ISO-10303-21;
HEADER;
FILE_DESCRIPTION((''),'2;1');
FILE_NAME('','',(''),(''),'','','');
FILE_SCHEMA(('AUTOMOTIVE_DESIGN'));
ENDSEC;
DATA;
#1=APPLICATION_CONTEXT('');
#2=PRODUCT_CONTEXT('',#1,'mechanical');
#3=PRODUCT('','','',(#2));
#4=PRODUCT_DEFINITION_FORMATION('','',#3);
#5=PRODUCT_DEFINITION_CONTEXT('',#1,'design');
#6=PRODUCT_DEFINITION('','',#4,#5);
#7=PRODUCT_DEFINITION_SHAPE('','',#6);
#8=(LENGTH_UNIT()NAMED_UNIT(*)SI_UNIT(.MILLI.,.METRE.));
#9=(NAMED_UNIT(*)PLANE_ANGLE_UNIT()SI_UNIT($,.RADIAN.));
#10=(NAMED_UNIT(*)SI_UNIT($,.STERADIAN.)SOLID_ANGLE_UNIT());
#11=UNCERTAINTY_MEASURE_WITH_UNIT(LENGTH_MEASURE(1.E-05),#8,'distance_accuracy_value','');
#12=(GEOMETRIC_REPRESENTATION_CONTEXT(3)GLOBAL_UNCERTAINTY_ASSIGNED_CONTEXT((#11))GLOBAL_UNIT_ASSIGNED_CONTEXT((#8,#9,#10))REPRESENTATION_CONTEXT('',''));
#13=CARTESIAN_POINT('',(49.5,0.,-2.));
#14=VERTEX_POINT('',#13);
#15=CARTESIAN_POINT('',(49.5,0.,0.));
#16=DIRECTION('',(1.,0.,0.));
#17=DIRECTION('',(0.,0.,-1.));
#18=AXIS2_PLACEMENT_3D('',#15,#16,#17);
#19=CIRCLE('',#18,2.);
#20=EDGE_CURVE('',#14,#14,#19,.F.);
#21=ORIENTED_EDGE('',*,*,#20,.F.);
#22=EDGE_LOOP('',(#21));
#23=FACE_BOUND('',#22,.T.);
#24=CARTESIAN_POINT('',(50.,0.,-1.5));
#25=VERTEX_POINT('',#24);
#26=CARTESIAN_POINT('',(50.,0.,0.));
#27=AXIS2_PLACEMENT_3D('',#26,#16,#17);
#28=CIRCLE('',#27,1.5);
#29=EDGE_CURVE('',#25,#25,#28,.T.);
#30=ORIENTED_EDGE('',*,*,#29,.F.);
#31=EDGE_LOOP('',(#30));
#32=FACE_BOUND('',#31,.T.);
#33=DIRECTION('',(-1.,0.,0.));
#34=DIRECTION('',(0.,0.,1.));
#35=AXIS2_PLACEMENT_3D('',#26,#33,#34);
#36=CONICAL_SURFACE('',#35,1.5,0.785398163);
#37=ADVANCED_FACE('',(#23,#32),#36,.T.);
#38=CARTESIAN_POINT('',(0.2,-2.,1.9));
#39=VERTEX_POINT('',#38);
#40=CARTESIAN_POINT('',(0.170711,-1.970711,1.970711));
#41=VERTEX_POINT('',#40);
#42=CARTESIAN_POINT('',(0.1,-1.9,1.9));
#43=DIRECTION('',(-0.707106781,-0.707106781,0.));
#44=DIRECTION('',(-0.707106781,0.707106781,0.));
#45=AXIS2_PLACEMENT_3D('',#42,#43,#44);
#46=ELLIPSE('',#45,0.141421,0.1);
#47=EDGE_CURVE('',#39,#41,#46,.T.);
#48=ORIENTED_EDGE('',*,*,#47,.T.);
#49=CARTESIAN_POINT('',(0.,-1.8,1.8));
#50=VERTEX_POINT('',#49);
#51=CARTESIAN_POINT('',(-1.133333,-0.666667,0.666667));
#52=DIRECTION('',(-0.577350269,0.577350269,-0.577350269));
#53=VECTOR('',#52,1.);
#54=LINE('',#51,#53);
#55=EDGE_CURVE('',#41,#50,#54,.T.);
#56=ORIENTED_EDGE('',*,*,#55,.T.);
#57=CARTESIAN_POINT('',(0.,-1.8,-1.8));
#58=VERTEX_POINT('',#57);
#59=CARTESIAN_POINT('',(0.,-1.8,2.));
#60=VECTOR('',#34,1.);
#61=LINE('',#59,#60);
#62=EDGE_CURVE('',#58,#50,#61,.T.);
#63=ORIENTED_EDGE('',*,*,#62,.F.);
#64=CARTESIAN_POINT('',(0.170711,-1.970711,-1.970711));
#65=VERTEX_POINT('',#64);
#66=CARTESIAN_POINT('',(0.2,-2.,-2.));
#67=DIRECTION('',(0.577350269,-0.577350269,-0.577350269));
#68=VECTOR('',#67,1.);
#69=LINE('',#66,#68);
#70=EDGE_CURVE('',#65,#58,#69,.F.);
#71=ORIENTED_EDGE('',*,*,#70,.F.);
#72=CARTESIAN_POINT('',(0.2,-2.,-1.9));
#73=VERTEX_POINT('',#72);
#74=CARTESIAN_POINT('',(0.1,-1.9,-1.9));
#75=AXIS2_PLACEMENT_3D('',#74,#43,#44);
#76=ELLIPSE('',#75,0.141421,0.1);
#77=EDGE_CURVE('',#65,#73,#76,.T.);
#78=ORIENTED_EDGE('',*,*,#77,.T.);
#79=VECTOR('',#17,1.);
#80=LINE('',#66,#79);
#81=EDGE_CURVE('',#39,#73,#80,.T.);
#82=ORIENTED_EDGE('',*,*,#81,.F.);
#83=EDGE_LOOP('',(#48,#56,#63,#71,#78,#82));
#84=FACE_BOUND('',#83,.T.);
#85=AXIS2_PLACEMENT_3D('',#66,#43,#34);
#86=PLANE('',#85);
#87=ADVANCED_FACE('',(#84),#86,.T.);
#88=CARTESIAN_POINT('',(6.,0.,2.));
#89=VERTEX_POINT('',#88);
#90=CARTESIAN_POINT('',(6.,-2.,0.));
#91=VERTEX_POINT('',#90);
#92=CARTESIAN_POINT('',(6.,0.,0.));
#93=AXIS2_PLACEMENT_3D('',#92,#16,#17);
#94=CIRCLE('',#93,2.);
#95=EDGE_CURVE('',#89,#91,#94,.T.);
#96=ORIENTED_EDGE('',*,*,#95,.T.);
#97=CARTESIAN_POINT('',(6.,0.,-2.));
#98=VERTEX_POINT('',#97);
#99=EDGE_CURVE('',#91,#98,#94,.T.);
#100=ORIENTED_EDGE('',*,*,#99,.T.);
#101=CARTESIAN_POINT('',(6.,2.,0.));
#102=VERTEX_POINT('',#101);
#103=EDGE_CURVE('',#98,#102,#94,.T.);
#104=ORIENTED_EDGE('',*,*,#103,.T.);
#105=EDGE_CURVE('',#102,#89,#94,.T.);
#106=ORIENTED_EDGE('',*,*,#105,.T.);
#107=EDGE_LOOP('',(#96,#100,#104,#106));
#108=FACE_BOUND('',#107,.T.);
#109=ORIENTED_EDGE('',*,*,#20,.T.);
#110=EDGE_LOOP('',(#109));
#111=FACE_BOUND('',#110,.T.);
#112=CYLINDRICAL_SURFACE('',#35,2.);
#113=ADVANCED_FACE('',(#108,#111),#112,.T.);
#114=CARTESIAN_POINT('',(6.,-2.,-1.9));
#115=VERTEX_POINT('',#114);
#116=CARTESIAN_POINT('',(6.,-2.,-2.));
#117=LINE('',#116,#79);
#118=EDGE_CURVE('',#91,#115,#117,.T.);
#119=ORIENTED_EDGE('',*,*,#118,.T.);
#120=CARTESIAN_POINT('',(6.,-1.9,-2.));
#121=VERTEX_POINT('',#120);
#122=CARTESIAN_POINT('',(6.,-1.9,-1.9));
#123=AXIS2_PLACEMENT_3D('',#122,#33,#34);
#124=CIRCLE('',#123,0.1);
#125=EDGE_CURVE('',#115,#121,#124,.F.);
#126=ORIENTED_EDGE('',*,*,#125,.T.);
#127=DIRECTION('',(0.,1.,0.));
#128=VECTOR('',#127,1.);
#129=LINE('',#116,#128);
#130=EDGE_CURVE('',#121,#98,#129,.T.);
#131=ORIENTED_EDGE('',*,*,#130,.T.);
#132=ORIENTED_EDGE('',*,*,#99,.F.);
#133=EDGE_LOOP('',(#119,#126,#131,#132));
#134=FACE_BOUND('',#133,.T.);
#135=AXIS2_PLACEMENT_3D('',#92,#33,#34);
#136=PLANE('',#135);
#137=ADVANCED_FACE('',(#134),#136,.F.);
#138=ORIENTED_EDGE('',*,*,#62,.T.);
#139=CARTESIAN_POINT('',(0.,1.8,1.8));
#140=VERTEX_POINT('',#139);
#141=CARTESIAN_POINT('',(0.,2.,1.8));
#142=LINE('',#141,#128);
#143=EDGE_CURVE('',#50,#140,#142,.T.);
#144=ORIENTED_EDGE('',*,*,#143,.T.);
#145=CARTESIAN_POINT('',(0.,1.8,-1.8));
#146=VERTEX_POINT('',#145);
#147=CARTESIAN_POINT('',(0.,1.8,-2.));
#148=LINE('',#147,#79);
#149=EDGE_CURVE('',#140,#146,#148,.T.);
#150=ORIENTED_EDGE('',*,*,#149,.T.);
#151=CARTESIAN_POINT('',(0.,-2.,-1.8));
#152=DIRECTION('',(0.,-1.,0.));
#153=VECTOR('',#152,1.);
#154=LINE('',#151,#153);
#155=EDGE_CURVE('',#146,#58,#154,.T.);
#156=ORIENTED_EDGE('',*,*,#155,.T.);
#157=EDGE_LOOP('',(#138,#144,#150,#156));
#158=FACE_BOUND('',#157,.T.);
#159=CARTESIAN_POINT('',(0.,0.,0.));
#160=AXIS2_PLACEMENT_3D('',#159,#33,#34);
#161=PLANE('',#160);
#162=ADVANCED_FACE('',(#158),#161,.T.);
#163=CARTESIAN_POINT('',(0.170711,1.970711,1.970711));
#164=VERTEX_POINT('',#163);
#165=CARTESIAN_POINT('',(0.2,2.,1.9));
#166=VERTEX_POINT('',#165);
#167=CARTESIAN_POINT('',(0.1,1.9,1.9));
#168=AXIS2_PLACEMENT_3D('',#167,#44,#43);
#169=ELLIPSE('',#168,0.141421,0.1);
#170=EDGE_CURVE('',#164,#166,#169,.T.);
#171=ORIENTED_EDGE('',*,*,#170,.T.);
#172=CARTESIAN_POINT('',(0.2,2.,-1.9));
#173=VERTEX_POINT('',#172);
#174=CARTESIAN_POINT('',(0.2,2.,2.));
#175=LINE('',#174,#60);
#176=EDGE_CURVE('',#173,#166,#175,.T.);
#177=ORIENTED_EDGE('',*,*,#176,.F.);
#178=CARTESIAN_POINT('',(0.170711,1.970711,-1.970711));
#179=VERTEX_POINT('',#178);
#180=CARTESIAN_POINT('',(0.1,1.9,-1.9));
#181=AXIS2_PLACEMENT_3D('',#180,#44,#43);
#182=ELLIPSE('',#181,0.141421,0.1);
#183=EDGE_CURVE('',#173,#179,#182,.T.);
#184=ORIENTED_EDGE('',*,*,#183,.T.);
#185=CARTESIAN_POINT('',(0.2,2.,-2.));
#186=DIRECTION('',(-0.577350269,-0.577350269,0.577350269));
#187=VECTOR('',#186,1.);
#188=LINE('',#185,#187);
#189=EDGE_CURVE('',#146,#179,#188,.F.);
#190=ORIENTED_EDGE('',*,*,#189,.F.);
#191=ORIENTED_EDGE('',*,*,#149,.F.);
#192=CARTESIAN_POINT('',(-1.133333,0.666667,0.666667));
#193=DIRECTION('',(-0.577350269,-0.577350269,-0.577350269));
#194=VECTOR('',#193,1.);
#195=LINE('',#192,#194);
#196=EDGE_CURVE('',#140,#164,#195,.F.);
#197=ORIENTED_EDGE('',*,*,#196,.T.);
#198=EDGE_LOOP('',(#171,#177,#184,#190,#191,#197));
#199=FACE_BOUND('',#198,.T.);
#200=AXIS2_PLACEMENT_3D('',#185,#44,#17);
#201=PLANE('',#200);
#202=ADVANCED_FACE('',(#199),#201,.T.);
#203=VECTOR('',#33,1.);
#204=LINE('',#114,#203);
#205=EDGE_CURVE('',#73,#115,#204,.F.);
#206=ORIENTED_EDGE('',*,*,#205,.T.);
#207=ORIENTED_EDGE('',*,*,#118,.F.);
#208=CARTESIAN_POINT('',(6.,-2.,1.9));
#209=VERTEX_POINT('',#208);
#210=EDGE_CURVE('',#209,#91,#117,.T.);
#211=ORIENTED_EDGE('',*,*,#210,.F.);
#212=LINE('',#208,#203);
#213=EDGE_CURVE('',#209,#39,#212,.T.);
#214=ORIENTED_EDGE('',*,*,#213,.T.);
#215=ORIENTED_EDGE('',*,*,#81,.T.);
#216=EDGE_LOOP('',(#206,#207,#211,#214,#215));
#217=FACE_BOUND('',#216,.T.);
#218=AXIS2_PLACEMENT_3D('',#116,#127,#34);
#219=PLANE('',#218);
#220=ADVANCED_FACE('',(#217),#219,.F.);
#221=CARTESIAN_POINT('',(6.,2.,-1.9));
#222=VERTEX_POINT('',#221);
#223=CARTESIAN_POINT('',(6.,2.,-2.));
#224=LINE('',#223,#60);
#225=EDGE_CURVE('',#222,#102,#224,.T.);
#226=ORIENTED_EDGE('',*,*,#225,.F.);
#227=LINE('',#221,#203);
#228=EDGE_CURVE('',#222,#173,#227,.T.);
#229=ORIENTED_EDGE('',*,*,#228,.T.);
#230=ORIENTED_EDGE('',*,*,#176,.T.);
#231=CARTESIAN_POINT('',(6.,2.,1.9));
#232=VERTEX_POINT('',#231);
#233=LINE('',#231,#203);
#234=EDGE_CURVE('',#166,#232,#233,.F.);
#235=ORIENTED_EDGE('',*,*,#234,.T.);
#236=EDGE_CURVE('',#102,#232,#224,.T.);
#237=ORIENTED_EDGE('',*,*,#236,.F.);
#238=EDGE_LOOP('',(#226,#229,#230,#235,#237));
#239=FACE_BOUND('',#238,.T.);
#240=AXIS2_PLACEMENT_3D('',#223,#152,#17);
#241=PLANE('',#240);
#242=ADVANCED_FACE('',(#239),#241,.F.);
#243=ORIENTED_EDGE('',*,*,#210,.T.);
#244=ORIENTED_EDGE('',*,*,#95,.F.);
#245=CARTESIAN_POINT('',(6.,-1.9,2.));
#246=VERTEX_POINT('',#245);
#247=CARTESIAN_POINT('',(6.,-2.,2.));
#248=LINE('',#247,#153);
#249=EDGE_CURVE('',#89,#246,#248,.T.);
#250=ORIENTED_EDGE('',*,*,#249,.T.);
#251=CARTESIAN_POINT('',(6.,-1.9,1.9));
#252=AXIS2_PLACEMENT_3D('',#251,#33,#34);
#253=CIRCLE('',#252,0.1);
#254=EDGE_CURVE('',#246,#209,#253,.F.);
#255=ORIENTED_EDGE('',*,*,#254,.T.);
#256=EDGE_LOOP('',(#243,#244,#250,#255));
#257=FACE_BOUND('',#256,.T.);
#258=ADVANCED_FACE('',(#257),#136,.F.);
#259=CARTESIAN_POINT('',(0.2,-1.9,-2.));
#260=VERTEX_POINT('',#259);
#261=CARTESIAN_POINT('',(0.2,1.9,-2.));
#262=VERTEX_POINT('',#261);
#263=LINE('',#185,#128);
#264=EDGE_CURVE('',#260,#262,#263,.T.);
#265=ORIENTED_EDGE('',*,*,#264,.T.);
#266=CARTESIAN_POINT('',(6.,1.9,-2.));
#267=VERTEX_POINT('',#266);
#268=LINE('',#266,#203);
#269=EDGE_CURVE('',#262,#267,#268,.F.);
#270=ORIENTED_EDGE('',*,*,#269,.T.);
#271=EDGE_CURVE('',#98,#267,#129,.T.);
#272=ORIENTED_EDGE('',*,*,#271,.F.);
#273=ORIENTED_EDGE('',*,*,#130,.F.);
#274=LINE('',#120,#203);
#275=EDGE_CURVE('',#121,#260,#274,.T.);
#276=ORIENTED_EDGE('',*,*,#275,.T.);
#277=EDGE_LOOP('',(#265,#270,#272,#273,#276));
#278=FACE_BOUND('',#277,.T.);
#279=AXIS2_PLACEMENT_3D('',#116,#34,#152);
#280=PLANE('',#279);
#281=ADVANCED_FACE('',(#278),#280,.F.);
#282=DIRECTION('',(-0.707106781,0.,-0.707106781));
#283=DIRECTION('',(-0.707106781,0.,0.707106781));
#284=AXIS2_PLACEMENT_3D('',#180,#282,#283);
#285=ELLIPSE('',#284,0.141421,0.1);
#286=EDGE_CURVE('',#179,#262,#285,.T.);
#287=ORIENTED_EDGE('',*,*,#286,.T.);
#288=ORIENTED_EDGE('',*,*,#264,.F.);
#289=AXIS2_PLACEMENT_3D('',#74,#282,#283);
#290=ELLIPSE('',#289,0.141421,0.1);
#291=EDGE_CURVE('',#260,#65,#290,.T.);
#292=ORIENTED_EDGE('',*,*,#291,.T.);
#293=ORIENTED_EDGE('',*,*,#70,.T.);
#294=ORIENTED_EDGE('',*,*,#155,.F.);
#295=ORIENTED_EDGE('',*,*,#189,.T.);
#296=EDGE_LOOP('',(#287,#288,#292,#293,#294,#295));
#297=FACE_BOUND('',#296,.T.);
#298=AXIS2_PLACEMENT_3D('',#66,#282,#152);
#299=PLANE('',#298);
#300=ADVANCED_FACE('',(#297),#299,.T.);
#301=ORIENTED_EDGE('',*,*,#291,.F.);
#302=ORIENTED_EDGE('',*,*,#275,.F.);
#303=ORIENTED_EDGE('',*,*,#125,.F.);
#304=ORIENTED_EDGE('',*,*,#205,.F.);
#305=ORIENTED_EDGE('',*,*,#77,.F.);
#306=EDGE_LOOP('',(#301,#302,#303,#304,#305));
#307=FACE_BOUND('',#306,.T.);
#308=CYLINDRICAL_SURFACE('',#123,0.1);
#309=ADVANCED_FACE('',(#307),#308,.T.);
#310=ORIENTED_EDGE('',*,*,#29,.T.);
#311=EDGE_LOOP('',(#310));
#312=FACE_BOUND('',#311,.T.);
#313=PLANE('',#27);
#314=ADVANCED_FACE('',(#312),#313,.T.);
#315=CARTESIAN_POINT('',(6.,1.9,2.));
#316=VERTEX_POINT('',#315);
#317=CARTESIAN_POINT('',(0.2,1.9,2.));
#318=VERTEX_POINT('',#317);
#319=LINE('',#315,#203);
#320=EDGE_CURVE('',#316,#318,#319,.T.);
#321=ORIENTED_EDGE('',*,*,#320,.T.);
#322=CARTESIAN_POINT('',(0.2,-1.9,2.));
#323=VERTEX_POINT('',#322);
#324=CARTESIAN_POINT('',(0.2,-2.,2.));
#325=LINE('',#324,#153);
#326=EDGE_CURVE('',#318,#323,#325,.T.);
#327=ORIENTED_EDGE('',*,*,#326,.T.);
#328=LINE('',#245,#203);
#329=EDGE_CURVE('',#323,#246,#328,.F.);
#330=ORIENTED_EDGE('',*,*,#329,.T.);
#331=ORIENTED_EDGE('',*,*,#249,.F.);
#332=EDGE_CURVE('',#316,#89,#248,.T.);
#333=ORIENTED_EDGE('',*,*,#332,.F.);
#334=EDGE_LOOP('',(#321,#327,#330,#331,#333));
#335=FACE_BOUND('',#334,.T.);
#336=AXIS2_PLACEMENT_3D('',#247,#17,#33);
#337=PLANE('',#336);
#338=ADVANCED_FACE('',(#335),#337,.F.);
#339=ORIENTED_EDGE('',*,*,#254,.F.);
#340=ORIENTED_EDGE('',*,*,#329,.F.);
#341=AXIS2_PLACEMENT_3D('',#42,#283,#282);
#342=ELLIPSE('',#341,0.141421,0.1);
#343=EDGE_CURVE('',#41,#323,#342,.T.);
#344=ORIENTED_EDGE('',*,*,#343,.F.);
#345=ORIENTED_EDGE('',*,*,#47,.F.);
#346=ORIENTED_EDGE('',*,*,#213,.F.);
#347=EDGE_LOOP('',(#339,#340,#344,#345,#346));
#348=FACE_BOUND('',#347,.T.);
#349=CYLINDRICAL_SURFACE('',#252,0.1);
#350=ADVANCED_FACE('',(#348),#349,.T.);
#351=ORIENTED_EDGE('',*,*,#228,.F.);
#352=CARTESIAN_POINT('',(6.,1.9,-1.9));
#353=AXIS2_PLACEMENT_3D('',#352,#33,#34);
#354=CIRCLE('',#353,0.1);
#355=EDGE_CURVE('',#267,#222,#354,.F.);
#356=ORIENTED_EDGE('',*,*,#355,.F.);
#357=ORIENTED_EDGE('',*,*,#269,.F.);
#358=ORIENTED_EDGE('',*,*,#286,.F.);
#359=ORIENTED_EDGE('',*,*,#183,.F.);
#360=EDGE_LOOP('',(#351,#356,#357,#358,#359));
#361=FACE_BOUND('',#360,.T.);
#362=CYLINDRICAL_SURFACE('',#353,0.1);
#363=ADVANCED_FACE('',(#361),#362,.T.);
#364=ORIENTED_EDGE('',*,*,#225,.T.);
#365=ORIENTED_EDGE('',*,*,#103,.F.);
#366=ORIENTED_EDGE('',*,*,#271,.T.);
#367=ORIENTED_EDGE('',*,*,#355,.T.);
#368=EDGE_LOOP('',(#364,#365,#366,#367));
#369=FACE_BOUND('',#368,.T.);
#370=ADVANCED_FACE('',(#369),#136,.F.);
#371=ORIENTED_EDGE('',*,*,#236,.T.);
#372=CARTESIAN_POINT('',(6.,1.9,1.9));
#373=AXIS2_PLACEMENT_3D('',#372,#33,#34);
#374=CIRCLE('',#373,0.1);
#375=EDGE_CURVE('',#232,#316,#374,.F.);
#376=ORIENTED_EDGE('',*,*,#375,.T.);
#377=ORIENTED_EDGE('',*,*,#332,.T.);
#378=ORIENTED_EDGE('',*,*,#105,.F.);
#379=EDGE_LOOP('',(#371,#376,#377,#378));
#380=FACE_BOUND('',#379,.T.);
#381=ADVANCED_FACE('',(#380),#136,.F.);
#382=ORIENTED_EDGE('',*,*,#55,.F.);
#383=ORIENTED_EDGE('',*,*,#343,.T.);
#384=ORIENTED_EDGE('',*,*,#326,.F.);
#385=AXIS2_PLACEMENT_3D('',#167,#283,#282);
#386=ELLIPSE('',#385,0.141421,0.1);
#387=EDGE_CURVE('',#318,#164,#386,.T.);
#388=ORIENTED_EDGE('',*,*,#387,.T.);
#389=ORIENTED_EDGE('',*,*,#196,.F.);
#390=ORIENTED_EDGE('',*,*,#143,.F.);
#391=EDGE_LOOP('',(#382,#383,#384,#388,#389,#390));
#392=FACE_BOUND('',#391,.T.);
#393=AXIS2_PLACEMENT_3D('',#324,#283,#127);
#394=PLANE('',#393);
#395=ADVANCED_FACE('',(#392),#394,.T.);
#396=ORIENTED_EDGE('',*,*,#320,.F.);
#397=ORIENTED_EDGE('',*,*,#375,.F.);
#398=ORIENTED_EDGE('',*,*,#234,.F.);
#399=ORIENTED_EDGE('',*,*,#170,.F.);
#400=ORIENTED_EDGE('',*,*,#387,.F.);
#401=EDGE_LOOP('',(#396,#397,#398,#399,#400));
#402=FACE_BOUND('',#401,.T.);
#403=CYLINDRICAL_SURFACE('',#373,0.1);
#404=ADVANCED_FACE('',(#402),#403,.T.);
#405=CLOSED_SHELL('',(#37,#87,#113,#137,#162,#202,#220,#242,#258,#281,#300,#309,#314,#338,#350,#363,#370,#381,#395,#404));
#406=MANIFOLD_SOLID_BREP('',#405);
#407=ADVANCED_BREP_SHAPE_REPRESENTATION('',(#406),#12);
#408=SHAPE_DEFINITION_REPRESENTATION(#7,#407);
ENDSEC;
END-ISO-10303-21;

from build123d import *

# Parameters (mm, degrees)
SKETCH_1_W      = 4
SKETCH_1_H      = 4
EXTRUDE_1_DEPTH = 6
SKETCH_2_R      = 2
EXTRUDE_2_DEPTH = 44
CHAMFER_1_SIZE  = 0.5
CHAMFER_2_SIZE  = 0.2
FILLET_1_R      = 0.1


with BuildPart() as part:
    # 草图1 → 凸台-拉伸1 (new body)
    with BuildSketch(Plane(origin=(0, 0, 0), x_dir=(0, 0, -1), z_dir=(1, 0, 0))):
        Rectangle(SKETCH_1_W, SKETCH_1_H)
    extrude(amount=EXTRUDE_1_DEPTH)

    # 草图2 → 凸台-拉伸2 (add)
    with BuildSketch(Plane(origin=(6, 0, 0), x_dir=(0, 0, -1), z_dir=(1, 0, 0))):
        Circle(SKETCH_2_R)
    extrude(amount=EXTRUDE_2_DEPTH)

    # 倒角1
    chamfer_1_edges = [part.edges().sort_by_distance(p)[0] for p in [
        (50, 0, 2),
    ]]
    chamfer(chamfer_1_edges, length=CHAMFER_1_SIZE)

    # 倒角2
    chamfer_2_edges = [part.edges().sort_by_distance(p)[0] for p in [
        (0, 0, 2),
        (0, 2, 0),
        (0, 0, -2),
        (0, -2, 0),
    ]]
    chamfer(chamfer_2_edges, length=CHAMFER_2_SIZE)

    # 圆角1
    fillet_1_edges = [part.edges().sort_by_distance(p)[0] for p in [
        (3.1, -2, 2),
        (3.1, 2, 2),
        (3.1, 2, -2),
        (3.1, -2, -2),
    ]]
    fillet(fillet_1_edges, radius=FILLET_1_R)


solid = part.part
